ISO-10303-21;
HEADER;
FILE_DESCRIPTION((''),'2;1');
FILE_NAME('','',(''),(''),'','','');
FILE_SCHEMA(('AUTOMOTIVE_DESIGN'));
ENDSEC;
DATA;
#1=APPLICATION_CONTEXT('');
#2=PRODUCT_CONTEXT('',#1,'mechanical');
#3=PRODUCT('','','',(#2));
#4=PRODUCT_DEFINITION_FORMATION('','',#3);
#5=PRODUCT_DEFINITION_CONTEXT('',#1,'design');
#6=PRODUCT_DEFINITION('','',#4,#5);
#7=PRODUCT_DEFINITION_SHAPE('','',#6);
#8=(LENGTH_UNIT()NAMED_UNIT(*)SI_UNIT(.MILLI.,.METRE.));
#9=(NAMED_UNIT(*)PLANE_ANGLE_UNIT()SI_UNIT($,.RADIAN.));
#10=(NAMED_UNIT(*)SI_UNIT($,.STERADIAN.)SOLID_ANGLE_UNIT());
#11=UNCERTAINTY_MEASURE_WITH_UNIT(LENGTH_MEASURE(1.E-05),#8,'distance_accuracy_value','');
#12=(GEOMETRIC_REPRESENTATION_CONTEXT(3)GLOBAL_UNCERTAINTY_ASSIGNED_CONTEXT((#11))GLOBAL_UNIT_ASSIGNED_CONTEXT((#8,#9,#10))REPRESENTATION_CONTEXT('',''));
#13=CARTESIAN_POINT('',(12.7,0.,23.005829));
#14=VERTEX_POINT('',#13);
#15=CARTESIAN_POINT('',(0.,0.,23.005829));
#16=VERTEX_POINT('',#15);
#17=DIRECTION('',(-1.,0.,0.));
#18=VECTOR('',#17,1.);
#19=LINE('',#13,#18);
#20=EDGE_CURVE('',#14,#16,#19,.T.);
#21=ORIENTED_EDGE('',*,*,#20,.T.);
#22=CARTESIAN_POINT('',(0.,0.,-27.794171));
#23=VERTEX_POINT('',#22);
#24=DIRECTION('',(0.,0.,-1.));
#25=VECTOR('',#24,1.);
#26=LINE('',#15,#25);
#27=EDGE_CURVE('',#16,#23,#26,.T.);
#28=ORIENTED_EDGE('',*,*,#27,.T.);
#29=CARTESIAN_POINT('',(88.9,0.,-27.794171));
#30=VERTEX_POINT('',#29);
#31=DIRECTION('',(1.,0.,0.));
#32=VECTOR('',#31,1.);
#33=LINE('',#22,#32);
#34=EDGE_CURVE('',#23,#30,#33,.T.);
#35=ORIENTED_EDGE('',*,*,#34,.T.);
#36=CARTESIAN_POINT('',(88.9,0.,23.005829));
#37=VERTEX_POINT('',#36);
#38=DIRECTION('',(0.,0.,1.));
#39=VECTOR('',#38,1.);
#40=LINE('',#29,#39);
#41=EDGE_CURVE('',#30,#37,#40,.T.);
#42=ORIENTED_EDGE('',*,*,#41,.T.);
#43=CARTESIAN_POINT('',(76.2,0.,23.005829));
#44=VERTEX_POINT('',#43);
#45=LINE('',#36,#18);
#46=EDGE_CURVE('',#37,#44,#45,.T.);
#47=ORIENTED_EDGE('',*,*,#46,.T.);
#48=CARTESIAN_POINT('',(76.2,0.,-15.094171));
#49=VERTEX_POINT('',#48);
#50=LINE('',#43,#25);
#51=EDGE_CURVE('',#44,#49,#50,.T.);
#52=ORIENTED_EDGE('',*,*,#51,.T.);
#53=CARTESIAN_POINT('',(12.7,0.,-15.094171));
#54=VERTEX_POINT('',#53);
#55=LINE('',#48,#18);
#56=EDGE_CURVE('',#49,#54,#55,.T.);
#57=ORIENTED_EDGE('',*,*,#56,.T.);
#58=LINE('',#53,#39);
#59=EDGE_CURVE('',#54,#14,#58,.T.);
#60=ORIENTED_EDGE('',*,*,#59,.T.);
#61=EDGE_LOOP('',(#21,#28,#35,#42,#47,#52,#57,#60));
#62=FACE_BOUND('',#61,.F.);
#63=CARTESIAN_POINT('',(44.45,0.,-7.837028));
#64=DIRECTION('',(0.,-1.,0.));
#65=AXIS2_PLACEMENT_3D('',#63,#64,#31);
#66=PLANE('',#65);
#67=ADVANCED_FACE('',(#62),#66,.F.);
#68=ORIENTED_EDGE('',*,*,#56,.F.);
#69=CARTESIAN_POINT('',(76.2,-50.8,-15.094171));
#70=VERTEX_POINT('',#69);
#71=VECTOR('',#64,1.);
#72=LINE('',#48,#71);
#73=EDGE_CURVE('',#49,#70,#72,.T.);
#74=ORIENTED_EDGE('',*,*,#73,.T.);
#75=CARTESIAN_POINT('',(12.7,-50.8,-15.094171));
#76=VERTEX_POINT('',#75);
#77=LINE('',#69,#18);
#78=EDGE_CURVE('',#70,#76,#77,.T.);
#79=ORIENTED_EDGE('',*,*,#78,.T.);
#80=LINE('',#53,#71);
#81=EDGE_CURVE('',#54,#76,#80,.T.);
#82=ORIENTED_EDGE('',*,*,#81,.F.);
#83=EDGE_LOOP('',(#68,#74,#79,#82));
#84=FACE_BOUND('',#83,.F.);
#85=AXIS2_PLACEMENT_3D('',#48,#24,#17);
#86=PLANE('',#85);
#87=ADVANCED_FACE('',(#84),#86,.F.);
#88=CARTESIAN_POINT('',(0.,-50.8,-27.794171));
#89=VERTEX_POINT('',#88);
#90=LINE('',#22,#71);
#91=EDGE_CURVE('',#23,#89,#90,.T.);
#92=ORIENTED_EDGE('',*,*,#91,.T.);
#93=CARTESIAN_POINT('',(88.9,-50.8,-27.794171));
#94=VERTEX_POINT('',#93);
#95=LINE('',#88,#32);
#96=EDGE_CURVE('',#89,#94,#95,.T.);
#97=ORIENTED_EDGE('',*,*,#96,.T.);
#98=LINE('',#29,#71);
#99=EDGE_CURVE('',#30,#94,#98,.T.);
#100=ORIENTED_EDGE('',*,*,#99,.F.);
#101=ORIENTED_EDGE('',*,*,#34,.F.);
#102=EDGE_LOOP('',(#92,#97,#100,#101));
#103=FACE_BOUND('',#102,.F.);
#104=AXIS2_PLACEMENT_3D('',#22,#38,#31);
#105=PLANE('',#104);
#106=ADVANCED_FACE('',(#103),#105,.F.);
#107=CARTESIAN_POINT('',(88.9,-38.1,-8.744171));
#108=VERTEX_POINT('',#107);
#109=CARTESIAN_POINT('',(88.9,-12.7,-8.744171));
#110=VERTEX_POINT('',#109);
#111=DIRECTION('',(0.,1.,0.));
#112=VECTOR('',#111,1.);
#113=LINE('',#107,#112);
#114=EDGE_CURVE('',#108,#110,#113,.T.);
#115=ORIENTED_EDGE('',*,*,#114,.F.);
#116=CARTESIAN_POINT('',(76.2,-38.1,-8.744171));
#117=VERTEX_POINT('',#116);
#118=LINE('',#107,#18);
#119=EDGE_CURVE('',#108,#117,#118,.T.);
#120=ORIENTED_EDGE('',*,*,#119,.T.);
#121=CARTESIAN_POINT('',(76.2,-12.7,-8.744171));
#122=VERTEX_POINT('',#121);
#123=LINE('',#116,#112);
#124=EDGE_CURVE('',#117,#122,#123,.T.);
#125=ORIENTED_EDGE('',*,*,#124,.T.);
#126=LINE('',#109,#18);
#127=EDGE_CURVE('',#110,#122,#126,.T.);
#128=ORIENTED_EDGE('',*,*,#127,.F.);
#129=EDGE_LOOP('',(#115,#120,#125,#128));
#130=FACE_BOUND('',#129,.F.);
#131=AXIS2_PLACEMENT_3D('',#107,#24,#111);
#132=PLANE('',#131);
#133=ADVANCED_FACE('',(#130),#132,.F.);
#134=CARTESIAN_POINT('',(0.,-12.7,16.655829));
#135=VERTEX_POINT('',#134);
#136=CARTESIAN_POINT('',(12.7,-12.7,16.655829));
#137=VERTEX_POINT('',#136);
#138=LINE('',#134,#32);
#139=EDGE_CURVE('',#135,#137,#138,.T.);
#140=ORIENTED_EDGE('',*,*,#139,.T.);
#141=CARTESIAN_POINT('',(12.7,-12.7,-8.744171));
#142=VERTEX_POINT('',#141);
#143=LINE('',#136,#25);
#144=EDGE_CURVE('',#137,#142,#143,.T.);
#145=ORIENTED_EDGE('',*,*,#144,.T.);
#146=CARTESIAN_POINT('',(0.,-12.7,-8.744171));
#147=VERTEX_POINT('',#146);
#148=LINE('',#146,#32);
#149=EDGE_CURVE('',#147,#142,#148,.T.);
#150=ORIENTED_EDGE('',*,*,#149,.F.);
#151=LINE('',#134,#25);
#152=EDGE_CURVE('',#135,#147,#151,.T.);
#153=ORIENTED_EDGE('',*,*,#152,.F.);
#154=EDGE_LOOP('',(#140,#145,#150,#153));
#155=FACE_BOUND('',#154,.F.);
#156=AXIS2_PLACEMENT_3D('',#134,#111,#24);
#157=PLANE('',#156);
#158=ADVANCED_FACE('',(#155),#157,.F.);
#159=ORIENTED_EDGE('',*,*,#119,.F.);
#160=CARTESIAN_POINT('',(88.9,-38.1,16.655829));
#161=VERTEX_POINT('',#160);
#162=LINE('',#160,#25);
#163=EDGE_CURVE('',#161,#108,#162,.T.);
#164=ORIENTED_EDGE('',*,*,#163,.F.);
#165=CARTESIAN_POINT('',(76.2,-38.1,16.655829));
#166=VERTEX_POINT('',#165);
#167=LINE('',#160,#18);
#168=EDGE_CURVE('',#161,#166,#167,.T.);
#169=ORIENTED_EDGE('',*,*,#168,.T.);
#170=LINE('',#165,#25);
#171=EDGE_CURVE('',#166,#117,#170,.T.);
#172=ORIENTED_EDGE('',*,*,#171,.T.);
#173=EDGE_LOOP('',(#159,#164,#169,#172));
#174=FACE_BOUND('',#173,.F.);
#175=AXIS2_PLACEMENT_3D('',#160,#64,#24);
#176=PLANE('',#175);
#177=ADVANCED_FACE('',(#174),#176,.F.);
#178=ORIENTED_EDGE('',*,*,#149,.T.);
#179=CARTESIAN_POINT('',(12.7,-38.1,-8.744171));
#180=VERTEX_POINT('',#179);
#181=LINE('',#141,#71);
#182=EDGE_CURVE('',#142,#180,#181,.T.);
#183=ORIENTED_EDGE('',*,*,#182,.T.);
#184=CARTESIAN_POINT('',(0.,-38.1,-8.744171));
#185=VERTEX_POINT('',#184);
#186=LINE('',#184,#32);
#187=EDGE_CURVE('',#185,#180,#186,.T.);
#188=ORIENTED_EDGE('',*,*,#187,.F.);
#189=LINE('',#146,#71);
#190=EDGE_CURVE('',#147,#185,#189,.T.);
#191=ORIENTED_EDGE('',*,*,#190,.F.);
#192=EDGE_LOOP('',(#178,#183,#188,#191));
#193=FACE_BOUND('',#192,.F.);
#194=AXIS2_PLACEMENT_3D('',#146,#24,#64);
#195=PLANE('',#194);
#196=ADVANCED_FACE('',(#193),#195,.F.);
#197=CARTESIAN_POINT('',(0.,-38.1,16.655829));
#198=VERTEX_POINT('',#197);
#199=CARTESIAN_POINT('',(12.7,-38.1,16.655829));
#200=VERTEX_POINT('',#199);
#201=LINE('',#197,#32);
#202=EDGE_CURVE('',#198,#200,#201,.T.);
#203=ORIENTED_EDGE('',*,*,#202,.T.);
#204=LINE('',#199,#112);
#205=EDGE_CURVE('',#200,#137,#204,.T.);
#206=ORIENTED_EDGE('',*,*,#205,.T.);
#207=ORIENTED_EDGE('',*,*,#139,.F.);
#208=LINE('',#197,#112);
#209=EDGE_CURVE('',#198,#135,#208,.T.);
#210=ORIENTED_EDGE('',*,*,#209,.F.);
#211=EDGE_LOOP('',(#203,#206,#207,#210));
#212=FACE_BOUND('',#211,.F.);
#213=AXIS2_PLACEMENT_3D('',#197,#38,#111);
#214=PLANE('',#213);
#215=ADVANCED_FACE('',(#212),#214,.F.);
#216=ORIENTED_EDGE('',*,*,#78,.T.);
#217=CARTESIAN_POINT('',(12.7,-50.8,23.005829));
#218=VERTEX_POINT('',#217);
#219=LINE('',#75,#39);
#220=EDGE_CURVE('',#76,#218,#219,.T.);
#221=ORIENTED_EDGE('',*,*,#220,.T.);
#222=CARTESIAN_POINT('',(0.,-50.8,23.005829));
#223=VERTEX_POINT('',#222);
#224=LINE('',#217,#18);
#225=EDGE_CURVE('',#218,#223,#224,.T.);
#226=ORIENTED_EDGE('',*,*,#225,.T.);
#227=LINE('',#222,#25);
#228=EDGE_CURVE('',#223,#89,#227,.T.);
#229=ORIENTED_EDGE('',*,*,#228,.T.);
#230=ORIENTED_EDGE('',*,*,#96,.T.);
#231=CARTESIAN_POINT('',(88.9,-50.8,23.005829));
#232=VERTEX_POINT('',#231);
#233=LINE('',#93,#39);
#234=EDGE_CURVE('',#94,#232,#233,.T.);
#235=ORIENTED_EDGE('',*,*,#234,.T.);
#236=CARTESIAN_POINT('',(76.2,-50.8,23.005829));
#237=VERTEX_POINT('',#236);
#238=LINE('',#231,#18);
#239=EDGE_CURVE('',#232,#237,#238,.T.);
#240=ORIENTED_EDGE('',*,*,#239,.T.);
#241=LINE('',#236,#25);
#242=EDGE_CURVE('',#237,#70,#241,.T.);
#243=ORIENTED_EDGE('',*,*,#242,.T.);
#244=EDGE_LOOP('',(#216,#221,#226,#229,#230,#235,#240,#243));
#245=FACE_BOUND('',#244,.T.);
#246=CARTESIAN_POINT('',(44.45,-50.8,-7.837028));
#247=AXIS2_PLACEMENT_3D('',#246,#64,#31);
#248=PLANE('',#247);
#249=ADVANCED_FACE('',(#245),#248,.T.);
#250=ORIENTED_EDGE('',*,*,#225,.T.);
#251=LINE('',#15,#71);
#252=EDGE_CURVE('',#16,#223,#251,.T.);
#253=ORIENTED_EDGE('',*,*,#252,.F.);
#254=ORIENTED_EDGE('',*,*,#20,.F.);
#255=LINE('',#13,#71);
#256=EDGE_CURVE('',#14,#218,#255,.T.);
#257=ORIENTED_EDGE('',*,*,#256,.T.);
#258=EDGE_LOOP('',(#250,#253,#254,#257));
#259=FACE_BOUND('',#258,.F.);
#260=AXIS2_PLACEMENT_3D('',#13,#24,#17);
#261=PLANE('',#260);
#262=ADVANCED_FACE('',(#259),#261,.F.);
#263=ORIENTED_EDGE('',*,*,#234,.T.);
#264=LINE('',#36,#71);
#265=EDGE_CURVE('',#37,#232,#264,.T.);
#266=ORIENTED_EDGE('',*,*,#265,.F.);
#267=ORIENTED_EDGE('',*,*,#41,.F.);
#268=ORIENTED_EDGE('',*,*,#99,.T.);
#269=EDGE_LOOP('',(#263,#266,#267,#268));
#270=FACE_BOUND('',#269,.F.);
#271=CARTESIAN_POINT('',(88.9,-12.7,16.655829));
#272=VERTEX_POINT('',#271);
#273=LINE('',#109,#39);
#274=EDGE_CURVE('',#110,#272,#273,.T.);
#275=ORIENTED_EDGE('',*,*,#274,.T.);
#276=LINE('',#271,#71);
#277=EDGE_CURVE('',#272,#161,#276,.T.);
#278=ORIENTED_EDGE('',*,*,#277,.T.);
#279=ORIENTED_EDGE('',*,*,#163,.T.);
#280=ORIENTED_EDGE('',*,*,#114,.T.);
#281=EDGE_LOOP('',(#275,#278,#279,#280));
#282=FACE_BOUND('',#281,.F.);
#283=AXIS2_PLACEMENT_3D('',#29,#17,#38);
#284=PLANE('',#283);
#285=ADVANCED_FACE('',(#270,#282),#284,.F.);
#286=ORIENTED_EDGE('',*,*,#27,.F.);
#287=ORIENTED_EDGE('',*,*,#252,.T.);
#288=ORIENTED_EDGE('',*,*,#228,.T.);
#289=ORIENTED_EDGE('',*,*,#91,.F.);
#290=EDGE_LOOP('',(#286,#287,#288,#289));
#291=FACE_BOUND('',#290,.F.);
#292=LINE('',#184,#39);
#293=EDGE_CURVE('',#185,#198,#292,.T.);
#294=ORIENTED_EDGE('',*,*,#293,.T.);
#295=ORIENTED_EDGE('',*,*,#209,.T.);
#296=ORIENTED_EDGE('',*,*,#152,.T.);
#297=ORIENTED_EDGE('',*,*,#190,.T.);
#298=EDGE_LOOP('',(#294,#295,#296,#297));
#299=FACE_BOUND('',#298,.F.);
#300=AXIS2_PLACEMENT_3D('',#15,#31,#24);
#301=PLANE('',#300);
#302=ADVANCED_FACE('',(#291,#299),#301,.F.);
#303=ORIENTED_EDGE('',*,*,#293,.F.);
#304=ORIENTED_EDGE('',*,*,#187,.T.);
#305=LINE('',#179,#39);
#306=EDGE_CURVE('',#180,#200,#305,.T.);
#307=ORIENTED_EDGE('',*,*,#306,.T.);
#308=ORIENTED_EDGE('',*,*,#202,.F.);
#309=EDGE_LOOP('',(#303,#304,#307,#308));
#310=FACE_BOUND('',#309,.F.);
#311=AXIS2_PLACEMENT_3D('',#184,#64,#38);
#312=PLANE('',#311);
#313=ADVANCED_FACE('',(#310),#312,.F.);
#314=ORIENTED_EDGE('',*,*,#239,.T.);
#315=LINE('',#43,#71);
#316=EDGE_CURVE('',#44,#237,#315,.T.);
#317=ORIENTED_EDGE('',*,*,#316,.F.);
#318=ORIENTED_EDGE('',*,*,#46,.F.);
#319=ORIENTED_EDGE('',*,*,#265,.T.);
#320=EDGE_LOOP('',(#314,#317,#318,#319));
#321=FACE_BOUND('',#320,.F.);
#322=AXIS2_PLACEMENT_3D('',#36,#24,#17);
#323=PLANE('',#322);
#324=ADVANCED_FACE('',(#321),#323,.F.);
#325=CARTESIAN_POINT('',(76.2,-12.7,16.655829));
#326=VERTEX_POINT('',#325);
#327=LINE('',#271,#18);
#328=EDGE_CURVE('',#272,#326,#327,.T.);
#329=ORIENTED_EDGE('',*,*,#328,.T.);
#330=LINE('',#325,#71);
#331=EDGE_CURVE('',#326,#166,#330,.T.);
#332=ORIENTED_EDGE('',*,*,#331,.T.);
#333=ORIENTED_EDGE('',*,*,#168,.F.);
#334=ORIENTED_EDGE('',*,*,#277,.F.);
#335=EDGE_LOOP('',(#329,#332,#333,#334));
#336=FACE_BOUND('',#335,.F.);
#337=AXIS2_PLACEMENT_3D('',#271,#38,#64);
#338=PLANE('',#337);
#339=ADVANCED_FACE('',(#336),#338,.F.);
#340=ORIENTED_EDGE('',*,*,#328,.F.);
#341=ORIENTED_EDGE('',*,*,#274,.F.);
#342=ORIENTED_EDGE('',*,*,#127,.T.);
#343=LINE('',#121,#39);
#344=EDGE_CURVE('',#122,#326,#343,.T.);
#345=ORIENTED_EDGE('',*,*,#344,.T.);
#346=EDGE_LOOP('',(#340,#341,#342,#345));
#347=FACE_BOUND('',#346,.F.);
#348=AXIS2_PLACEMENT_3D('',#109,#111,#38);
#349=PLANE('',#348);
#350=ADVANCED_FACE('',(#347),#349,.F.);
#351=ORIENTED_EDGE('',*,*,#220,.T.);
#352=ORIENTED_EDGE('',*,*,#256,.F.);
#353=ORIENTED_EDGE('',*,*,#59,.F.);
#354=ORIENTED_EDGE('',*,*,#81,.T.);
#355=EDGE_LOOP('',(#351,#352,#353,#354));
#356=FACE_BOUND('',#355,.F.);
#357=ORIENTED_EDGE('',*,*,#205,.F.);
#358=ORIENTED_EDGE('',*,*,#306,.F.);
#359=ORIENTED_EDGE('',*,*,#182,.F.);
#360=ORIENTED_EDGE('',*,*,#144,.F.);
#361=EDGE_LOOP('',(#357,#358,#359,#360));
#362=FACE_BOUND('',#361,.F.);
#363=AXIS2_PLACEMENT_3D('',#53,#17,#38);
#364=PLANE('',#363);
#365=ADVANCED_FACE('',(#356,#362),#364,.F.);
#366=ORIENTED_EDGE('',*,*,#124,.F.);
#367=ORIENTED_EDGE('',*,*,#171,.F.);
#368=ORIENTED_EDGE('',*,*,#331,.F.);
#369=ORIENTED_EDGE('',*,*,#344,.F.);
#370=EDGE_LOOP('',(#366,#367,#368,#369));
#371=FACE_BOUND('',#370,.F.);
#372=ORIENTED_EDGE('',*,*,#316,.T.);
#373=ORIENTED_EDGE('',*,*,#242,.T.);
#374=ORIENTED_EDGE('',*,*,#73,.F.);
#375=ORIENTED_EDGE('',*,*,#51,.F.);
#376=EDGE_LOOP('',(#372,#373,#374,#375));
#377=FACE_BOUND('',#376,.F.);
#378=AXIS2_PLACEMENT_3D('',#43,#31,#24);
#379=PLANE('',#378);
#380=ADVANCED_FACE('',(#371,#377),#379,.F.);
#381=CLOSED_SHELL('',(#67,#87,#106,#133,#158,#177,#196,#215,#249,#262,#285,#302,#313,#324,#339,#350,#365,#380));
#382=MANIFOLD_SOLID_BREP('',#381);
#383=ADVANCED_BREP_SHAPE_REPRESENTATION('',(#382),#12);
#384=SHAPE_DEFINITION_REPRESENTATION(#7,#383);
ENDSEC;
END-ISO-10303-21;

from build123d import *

# Parameters (mm, degrees)
F1_DEPTH = 50.8
F3_DEPTH = 12.7
F5_DEPTH = 12.7


with BuildPart() as f1:
    # F0 (on Front) → F1 (new body)
    with BuildSketch(Plane.XZ):
        Polygon((12.7, 23.005829), (0, 23.005829), (0, -27.794171), (88.9, -27.794171), (88.9, 23.005829), (76.2, 23.005829), (76.2, -15.094171), (12.7, -15.094171), align=None)
    extrude(amount=F1_DEPTH)

    # F2 (on face) → F3 (cut)
    with BuildSketch(Plane.YZ.offset(88.9)):
        Polygon((-12.7, 16.655829), (-38.1, 16.655829), (-38.1, -8.744171), (-21.28173, -8.744171), (-12.7, -8.744171), (-12.7, 3.955829), align=None)
    extrude(amount=-F3_DEPTH, mode=Mode.SUBTRACT)

    # F4 (on face) → F5 (cut)
    with BuildSketch(Plane(origin=(0, 0, 0), x_dir=(0, -1, 0), z_dir=(-1, 0, 0))):
        Polygon((38.1, 16.655829), (12.7, 16.655829), (12.7, -8.744171), (21.049142, -8.744171), (27.328998, -8.744171), (38.1, -8.744171), (38.1, 3.955829), align=None)
    extrude(amount=-F5_DEPTH, mode=Mode.SUBTRACT)


solid = f1.part
